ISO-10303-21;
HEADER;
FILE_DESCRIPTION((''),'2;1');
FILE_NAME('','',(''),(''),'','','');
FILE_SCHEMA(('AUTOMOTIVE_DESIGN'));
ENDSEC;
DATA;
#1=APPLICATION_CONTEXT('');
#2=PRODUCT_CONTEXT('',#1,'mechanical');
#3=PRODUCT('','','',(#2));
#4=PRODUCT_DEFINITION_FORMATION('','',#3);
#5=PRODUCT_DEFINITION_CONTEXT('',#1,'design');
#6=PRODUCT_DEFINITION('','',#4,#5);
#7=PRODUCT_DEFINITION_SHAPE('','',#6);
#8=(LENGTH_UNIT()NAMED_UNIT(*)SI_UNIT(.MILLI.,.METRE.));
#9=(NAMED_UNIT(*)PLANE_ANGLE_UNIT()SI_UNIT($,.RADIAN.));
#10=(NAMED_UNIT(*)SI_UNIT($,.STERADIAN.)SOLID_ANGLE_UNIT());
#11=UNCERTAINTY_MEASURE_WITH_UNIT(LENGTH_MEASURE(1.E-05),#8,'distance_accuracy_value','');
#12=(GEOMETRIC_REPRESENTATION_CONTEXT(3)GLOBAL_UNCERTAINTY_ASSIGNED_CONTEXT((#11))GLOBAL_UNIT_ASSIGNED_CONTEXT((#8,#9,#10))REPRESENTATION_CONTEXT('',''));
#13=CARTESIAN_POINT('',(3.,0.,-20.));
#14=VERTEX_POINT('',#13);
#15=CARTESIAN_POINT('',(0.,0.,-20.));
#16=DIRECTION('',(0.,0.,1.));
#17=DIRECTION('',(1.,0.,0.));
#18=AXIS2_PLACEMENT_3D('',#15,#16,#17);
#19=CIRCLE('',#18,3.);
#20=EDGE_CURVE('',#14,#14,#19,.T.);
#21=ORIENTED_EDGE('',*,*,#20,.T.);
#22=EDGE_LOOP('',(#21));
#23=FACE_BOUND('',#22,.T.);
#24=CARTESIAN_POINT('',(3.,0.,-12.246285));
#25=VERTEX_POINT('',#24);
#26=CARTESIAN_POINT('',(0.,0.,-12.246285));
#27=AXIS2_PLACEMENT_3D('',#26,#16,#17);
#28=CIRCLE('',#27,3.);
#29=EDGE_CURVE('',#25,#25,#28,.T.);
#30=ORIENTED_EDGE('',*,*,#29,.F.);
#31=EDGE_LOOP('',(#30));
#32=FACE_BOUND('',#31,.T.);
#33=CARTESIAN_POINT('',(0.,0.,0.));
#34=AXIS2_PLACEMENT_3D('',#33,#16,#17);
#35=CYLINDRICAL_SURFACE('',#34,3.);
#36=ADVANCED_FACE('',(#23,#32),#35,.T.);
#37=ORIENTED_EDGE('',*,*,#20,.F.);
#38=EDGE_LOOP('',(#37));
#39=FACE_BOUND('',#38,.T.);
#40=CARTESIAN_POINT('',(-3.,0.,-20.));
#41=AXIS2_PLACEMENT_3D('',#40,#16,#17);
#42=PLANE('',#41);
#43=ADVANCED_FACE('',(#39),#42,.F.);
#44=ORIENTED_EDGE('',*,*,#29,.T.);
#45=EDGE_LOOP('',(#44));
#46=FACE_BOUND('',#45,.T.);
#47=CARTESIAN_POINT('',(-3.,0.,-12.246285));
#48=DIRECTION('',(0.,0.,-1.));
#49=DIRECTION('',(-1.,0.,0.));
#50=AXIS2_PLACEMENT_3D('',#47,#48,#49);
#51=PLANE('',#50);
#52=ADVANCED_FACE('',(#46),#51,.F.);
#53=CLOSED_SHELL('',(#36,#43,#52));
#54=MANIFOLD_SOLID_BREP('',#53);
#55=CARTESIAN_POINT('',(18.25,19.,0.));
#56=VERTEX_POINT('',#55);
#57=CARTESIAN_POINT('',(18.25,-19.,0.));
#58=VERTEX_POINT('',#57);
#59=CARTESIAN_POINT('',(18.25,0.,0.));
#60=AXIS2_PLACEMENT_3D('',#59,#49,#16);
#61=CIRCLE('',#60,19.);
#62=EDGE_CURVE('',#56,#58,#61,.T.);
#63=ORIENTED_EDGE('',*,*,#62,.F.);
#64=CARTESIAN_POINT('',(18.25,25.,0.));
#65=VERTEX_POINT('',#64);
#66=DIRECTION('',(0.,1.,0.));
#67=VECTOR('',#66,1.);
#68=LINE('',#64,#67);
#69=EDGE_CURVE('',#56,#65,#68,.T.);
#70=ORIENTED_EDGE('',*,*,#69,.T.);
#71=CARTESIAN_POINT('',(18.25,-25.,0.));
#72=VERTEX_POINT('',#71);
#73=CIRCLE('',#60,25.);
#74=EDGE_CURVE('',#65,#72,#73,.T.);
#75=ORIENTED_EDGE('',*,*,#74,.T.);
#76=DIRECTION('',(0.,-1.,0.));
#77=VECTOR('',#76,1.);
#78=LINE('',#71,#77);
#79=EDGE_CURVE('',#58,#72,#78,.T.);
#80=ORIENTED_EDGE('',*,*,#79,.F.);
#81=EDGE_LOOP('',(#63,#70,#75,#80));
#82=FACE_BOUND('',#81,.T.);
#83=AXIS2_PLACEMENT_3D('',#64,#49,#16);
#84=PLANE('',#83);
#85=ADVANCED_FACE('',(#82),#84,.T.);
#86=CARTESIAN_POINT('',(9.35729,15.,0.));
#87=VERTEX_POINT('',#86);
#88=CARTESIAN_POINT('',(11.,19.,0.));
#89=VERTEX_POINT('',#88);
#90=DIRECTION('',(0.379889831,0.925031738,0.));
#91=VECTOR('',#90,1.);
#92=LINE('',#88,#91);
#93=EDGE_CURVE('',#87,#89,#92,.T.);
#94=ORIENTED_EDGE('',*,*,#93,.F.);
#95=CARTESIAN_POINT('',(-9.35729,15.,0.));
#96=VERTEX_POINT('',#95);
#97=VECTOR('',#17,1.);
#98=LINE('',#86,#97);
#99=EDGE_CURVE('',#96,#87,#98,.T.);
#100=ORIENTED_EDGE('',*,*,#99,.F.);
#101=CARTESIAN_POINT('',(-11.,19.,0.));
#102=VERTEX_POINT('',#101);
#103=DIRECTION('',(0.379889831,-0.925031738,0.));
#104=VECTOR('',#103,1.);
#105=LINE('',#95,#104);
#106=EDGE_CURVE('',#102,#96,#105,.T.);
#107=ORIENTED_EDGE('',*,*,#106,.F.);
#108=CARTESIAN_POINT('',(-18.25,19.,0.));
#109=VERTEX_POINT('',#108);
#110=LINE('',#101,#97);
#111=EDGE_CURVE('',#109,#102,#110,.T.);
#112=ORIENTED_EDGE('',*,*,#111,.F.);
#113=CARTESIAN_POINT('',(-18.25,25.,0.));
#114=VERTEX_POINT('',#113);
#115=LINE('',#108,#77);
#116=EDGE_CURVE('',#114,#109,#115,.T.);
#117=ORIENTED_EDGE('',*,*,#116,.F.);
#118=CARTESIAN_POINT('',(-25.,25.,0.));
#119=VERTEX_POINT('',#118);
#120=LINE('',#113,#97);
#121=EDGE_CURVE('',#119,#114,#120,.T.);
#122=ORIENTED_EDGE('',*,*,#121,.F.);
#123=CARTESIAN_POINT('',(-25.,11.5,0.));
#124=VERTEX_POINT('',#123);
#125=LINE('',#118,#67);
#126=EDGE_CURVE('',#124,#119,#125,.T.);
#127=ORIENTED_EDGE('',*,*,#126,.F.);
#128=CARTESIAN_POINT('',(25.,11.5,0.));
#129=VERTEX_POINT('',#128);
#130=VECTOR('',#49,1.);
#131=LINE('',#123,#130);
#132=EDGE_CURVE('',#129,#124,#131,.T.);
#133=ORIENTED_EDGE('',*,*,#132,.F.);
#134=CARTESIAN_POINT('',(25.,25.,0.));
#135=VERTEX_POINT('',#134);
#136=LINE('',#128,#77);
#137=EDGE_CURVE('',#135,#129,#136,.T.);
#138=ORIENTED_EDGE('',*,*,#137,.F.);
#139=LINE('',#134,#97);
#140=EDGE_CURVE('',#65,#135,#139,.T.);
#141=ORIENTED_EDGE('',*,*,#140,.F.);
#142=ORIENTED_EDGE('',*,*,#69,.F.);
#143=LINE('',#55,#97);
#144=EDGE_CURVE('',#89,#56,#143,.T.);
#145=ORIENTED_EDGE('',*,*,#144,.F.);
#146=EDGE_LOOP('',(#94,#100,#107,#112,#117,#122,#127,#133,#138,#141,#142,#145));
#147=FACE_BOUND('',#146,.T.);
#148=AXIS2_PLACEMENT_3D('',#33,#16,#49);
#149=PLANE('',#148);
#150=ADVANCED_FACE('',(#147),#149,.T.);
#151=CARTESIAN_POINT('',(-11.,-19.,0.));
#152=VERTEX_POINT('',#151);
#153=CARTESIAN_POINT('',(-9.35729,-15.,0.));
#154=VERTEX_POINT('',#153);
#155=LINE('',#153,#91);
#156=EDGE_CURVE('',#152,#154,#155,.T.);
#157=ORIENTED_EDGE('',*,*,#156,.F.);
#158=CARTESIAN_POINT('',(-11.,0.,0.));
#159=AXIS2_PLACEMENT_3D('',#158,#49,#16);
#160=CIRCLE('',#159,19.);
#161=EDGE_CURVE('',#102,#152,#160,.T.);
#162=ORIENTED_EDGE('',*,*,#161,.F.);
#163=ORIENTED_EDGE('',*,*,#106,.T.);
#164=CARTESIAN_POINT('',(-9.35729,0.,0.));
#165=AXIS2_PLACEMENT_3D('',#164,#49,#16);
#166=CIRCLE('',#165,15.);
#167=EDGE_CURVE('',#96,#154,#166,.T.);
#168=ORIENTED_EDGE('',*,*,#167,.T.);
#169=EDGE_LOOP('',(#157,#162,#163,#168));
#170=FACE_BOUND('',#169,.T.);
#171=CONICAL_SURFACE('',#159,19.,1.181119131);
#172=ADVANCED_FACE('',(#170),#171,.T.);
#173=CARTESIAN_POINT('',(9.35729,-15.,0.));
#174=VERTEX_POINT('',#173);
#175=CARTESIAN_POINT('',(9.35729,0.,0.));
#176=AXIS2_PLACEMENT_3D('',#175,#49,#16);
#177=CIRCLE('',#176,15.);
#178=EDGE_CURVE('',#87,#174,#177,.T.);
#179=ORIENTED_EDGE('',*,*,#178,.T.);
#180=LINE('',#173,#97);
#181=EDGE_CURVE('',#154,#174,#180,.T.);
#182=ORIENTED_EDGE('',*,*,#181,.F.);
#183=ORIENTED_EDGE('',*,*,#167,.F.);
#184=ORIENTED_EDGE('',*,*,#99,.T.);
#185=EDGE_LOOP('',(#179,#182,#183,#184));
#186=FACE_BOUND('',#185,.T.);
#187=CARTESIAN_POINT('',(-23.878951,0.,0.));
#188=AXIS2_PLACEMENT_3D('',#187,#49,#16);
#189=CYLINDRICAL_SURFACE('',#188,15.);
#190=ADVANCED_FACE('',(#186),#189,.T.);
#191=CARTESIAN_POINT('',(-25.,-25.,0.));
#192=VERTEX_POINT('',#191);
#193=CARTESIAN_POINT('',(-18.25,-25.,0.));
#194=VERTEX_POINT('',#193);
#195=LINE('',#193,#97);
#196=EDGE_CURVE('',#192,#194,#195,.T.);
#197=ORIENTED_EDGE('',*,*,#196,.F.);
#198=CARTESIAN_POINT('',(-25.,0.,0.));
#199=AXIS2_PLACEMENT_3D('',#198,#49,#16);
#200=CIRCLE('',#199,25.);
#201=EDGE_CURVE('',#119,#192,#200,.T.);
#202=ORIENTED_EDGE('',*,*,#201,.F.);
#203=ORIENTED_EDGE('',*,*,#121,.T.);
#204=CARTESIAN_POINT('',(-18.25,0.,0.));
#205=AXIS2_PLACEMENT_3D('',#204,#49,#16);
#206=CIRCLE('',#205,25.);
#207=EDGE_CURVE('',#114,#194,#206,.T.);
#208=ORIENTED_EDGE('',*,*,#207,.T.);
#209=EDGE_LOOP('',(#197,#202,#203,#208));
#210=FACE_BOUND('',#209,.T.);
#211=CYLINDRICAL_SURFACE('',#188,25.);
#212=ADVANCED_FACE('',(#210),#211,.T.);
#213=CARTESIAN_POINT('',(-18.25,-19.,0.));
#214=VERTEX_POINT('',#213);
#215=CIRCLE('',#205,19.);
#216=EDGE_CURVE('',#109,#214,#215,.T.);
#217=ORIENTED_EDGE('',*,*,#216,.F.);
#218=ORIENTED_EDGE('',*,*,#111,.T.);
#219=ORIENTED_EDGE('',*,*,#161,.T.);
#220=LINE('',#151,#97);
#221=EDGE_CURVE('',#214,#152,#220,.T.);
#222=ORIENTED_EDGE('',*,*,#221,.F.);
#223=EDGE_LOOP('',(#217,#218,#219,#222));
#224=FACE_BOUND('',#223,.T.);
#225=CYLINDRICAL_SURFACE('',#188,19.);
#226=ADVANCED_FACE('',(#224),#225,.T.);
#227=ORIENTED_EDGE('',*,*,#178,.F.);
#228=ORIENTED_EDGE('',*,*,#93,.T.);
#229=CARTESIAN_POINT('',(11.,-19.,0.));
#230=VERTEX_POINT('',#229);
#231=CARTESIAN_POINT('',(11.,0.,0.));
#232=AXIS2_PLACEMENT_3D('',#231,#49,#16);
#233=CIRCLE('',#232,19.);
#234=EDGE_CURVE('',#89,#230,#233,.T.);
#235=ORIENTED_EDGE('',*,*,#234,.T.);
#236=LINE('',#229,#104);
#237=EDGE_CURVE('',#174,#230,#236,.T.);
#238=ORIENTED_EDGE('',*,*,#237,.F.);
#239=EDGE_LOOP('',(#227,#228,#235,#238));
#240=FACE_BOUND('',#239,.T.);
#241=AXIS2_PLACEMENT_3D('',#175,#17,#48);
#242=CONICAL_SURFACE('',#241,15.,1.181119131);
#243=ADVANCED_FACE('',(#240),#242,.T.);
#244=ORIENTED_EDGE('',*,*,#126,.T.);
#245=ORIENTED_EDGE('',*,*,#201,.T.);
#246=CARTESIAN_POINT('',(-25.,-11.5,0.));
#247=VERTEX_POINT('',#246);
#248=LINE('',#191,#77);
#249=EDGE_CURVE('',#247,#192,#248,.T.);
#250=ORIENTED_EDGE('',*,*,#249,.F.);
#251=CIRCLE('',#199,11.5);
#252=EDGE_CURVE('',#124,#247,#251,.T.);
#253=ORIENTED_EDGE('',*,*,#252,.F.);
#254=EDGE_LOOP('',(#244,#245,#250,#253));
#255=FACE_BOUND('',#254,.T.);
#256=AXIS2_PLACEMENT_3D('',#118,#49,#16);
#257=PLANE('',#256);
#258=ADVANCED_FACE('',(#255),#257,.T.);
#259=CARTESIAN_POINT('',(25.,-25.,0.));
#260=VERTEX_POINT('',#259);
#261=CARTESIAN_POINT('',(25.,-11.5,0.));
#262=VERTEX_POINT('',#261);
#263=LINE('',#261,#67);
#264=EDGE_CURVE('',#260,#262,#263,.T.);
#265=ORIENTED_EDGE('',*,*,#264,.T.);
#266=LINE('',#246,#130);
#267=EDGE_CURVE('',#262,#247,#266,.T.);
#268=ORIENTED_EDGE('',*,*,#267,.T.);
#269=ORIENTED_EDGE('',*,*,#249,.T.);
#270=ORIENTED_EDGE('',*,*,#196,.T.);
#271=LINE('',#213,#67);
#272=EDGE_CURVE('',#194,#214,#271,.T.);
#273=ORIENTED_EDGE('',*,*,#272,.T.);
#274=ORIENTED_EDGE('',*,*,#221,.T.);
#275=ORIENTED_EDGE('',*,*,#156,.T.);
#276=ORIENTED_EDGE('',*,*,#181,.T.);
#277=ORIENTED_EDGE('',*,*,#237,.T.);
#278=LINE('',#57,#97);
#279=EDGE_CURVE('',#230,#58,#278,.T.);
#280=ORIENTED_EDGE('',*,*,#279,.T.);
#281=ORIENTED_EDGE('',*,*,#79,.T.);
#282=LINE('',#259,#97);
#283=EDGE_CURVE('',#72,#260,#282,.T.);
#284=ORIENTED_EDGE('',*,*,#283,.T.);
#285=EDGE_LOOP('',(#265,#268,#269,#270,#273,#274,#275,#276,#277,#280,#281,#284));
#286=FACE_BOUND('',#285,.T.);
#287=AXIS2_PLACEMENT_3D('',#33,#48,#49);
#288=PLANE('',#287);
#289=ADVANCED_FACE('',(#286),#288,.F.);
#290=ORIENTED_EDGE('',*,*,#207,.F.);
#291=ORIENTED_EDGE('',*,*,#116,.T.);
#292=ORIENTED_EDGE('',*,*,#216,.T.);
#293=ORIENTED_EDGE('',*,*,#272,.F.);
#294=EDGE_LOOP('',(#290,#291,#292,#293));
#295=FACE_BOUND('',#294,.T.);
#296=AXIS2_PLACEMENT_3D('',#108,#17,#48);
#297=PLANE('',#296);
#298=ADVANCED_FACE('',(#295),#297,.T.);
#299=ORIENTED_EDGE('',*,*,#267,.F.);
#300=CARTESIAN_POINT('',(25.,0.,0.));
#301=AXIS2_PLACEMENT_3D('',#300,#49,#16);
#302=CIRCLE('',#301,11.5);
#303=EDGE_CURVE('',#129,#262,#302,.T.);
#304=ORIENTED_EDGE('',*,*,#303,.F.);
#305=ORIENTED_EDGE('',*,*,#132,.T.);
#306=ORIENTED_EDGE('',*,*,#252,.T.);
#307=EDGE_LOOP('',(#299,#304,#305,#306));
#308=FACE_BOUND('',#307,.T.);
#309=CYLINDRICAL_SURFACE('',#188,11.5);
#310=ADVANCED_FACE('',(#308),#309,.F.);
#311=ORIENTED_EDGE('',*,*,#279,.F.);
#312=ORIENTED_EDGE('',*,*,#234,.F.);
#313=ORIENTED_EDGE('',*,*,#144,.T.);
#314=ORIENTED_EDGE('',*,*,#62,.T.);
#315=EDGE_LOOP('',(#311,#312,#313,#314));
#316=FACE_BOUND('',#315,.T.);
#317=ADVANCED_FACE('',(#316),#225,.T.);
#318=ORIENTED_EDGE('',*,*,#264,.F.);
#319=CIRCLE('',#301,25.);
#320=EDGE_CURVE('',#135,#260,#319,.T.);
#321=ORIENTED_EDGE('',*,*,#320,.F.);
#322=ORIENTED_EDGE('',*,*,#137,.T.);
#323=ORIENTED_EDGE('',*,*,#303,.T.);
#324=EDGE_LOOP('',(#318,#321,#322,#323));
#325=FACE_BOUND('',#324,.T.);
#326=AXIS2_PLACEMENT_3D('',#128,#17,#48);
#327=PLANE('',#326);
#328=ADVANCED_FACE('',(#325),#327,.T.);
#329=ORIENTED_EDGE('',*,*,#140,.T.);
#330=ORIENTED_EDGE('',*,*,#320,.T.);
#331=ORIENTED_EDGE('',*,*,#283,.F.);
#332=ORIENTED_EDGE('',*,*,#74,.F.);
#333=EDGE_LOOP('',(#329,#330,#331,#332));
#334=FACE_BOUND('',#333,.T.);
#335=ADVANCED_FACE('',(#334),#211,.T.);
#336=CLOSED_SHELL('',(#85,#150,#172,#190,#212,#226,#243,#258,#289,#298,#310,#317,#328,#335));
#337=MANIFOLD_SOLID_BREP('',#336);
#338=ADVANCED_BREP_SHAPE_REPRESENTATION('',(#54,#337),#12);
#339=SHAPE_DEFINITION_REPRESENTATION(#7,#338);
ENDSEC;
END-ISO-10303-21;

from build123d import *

# Parameters (mm, degrees)
REVOLVE1_ANGLE = 180
SKETCH2_W      = 3
SKETCH2_H      = 7.753714539


with BuildPart() as part:
    # Sketch1 → Revolve1 (revolve)
    with BuildSketch(Plane.XY):
        Polygon((-25, -11.5), (25, -11.5), (25, -25), (18.25, -25), (18.25, -19), (11, -19), (9.357289528, -15), (-9.357289528, -15), (-11, -19), (-18.25, -19), (-18.25, -25), (-25, -25), align=None)
    revolve(axis=Axis((-23.878950705, 0, 0), (1, 0, 0)), revolution_arc=REVOLVE1_ANGLE)


with BuildPart() as body_2:
    # Sketch2 → Revolve2 (revolve)
    with BuildSketch(Plane(origin=(0, 0, 0), x_dir=(1, 0, 0), z_dir=(0, 1, 0)), mode=Mode.PRIVATE) as revolve2_sk:
        with Locations((-1.5, 16.12314273)):
            Rectangle(SKETCH2_W, SKETCH2_H)
    revolve(revolve2_sk.sketch.rotate(Axis((0, 0, 0), (0, 0, -1)), 180), axis=Axis((0, 0, 0), (0, 0, -1)))


solid = Compound([part.part, body_2.part])
